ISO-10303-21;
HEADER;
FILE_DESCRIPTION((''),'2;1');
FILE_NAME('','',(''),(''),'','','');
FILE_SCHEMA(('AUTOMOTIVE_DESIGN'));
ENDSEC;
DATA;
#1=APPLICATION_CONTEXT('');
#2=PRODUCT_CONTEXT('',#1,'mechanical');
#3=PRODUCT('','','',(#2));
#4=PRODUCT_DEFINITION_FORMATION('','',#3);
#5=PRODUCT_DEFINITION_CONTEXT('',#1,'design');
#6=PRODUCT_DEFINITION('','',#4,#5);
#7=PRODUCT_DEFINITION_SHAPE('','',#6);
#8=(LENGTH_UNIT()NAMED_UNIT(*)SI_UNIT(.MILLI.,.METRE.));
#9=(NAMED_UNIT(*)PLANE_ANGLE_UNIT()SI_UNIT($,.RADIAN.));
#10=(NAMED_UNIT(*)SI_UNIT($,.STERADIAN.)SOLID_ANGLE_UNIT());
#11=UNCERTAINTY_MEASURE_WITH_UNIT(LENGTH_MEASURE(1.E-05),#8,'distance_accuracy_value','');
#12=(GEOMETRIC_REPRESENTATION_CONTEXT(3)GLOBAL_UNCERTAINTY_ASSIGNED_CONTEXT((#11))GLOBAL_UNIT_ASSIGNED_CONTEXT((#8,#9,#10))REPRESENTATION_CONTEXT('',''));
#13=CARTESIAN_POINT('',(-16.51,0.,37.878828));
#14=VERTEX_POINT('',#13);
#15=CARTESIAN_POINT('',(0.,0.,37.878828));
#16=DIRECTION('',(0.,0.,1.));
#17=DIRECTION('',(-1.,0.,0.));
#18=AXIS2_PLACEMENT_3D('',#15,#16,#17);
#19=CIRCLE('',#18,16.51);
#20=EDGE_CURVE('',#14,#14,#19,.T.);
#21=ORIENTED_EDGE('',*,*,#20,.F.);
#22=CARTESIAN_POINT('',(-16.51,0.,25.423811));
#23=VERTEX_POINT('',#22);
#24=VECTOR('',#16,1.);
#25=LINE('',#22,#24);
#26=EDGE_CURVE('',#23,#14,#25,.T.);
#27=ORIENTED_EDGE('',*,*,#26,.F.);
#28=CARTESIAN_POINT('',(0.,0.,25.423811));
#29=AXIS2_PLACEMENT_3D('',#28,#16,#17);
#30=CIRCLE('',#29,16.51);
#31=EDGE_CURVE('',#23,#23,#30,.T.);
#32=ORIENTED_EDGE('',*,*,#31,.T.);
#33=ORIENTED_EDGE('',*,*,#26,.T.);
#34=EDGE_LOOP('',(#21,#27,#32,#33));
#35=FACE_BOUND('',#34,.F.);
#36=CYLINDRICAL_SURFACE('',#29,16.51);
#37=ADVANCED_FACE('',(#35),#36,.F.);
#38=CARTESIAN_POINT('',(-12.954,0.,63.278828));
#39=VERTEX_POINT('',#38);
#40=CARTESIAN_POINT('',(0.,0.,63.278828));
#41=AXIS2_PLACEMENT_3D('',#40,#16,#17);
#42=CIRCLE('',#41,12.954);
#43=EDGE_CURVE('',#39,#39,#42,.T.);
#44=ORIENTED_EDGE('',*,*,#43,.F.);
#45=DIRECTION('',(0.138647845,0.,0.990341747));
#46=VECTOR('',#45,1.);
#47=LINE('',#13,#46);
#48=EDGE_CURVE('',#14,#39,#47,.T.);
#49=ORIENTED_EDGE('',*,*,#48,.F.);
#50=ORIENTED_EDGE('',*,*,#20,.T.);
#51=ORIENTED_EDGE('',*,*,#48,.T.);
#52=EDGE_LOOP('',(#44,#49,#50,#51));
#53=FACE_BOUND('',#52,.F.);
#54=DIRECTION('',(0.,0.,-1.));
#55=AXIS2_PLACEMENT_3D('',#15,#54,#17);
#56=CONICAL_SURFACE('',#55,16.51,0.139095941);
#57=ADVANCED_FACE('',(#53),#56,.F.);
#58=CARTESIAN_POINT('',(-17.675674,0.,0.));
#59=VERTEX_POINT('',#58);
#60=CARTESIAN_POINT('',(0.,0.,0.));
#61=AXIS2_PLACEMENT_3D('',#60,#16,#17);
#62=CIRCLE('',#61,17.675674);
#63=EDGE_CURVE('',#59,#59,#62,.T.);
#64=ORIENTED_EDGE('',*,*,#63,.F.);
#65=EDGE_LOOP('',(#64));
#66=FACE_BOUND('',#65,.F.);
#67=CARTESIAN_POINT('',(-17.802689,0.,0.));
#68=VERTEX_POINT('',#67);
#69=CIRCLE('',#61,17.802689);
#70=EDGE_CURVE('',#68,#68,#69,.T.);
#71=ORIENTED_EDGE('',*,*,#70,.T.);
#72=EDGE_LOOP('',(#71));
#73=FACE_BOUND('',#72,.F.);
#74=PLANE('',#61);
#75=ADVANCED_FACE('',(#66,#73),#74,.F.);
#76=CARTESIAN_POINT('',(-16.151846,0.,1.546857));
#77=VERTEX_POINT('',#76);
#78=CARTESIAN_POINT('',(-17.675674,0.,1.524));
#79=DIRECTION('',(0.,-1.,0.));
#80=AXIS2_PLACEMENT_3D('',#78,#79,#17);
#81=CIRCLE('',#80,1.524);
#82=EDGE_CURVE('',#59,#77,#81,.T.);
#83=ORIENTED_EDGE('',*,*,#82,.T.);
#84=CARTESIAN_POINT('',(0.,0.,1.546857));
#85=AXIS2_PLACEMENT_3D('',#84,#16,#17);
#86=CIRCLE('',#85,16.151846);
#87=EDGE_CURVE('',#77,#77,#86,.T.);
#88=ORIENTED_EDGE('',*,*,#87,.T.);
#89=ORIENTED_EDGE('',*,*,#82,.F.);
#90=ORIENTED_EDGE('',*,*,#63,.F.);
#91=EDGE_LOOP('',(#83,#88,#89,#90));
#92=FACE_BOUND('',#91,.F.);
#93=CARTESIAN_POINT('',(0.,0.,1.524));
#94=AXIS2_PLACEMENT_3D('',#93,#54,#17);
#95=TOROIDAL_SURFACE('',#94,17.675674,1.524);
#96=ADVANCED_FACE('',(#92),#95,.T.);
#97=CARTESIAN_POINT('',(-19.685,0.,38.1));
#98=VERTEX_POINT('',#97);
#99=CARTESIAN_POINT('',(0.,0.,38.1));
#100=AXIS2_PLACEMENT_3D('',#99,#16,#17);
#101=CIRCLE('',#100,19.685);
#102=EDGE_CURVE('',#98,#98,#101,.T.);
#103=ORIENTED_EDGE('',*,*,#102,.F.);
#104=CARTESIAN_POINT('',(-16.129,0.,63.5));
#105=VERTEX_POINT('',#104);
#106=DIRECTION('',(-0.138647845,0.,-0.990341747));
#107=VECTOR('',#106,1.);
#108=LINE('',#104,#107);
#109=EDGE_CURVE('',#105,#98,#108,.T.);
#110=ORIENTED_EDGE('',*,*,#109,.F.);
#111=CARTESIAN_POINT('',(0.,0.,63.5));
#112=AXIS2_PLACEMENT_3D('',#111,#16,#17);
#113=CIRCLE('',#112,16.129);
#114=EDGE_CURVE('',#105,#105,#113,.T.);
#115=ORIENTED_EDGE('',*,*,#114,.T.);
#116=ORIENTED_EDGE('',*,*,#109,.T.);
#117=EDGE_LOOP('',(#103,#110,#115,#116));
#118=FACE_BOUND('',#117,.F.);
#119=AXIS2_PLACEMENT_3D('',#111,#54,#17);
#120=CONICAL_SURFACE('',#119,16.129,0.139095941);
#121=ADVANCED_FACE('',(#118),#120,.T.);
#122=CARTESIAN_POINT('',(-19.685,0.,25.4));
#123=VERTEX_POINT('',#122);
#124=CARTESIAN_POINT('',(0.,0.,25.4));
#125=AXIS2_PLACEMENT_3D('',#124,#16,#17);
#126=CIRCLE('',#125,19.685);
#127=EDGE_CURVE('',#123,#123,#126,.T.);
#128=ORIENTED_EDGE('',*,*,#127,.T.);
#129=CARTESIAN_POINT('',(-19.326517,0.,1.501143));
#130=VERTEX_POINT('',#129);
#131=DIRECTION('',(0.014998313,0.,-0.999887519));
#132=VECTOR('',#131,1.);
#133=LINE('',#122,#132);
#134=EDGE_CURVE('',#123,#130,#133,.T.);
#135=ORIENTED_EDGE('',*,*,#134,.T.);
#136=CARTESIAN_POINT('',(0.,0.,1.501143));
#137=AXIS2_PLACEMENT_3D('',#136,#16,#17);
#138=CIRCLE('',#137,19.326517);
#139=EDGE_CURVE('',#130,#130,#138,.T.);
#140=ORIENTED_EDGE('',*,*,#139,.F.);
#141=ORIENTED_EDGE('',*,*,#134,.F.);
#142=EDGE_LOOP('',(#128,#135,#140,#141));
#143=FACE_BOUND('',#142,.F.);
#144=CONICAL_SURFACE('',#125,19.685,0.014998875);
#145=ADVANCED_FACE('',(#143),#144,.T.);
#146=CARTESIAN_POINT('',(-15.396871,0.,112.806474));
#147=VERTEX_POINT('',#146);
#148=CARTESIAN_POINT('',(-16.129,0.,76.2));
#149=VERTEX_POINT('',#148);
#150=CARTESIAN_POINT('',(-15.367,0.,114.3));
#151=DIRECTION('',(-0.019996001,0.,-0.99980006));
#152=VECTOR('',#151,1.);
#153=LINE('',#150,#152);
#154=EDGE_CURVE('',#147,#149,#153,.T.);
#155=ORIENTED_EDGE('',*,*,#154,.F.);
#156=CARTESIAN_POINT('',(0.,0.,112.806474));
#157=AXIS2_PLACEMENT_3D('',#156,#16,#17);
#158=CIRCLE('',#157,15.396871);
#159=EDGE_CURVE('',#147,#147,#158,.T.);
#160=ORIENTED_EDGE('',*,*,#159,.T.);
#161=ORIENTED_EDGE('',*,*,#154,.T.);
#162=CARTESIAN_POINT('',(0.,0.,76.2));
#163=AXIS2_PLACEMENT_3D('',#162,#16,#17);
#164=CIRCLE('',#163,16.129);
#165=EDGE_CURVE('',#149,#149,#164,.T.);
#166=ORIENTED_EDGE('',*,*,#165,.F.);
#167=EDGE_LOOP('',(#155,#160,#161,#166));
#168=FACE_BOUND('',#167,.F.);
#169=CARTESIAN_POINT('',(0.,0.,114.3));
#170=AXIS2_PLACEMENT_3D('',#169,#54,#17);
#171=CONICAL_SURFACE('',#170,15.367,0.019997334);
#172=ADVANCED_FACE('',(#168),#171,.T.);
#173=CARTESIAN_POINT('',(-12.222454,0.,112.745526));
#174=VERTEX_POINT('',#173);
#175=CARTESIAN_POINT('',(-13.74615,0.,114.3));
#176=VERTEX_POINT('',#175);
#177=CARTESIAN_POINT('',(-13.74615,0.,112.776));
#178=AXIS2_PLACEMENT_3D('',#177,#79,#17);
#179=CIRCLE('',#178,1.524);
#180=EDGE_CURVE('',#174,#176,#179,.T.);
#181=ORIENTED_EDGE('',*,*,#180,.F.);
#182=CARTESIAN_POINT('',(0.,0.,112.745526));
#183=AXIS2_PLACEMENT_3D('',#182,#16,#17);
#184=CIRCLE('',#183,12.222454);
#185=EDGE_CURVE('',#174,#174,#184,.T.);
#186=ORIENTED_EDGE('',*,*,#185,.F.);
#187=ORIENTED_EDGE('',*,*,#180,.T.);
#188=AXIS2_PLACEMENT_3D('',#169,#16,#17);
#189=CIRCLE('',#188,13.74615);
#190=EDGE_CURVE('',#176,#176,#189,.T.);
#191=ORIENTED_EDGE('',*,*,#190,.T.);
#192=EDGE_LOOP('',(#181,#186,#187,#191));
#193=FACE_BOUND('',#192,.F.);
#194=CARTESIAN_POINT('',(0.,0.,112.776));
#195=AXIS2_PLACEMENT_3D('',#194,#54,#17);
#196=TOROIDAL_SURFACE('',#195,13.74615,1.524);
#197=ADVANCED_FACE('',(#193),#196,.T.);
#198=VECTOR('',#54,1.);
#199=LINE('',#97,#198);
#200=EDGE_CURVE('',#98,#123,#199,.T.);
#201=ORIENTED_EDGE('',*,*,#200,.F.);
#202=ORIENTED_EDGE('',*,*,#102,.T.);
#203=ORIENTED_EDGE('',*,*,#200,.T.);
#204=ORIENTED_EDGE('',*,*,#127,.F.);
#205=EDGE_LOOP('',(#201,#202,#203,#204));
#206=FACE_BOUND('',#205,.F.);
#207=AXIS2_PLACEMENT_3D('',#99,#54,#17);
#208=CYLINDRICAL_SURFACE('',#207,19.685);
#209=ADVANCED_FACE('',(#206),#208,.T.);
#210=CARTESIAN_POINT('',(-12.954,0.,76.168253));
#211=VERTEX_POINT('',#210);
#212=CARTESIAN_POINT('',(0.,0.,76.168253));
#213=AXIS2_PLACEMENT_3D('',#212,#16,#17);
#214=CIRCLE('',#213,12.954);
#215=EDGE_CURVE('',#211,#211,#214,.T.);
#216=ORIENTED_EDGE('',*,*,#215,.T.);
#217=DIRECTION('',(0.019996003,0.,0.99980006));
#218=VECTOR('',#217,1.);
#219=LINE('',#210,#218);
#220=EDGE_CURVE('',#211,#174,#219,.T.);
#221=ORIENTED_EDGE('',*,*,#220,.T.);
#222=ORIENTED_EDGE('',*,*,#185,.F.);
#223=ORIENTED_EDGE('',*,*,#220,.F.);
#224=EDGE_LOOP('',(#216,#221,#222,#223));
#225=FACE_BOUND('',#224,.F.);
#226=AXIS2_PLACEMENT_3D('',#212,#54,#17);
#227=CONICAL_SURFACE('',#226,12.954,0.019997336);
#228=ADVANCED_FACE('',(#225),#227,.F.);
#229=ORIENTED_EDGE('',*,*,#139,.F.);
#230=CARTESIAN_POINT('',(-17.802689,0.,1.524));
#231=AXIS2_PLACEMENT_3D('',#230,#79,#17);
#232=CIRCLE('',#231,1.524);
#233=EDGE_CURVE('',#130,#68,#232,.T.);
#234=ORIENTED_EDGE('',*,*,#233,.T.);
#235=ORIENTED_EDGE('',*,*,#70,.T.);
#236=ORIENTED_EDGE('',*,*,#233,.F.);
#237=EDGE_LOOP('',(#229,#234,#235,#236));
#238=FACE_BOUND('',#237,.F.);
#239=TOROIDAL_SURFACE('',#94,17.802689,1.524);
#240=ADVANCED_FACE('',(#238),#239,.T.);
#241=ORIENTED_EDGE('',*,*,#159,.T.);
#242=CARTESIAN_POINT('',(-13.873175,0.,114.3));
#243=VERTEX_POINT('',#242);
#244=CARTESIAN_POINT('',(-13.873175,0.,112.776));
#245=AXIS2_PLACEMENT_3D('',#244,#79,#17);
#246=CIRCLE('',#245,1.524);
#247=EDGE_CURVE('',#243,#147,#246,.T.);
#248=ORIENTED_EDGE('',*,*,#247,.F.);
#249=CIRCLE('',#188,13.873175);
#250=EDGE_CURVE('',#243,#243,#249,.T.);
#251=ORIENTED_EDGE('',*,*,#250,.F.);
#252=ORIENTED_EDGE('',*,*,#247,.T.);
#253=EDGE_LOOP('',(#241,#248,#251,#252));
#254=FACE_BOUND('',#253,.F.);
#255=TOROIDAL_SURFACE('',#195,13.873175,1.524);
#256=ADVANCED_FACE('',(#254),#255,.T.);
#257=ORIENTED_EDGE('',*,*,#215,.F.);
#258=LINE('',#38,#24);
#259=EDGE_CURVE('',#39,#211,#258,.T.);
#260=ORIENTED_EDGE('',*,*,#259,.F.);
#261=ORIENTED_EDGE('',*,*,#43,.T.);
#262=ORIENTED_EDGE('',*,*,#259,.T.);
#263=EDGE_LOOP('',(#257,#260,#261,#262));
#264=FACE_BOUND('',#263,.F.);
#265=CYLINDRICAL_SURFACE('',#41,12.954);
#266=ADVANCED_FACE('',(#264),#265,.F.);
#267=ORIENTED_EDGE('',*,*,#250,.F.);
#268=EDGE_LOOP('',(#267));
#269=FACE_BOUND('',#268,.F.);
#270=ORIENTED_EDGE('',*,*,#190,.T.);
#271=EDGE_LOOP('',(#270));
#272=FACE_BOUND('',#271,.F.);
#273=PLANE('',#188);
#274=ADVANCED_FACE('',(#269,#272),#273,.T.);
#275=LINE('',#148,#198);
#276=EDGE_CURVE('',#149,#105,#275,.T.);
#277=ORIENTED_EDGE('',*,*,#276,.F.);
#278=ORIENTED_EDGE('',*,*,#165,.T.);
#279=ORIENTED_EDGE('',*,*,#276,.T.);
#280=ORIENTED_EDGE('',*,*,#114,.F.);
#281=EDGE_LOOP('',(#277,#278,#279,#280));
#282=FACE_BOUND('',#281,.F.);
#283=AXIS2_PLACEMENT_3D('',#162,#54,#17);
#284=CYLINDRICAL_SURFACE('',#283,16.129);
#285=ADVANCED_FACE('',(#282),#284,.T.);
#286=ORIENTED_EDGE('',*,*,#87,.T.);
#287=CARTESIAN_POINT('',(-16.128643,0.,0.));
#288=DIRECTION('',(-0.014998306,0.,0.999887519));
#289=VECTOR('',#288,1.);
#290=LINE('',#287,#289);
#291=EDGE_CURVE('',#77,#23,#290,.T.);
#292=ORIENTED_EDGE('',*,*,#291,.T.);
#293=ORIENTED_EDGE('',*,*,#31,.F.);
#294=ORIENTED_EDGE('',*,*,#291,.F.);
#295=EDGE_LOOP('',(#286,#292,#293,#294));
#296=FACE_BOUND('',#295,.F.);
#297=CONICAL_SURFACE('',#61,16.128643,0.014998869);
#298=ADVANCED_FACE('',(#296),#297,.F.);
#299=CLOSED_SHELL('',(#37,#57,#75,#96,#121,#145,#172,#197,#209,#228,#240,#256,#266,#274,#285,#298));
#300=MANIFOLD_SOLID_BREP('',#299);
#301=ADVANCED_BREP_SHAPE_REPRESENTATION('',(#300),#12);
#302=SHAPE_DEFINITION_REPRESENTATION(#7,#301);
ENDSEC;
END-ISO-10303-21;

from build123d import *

# Parameters (mm, degrees)
F2_R = 1.524


with BuildPart() as f1:
    # F0 (on Front) → F1 (revolve)
    with BuildSketch(Plane.XZ):
        Polygon((-19.685, 25.4), (-19.304, 0), (-16.128643, 0), (-16.51, 25.423811), (-16.51, 37.878828), (-12.954, 63.278828), (-12.954, 76.168253), (-12.191365, 114.3), (-15.367, 114.3), (-16.129, 76.2), (-16.129, 63.5), (-19.685, 38.1), align=None)
    revolve(axis=Axis((0, 0, 60.50895), (0, 0, 1)))

    # F2
    f2_edges = [f1.edges().sort_by_distance(p)[0] for p in [
        (15.367, 0, 114.3),
        (12.191365, 0, 114.3),
        (19.304, 0, 0),
        (16.128643, 0, 0),
    ]]
    fillet(f2_edges, radius=F2_R)


solid = f1.part
